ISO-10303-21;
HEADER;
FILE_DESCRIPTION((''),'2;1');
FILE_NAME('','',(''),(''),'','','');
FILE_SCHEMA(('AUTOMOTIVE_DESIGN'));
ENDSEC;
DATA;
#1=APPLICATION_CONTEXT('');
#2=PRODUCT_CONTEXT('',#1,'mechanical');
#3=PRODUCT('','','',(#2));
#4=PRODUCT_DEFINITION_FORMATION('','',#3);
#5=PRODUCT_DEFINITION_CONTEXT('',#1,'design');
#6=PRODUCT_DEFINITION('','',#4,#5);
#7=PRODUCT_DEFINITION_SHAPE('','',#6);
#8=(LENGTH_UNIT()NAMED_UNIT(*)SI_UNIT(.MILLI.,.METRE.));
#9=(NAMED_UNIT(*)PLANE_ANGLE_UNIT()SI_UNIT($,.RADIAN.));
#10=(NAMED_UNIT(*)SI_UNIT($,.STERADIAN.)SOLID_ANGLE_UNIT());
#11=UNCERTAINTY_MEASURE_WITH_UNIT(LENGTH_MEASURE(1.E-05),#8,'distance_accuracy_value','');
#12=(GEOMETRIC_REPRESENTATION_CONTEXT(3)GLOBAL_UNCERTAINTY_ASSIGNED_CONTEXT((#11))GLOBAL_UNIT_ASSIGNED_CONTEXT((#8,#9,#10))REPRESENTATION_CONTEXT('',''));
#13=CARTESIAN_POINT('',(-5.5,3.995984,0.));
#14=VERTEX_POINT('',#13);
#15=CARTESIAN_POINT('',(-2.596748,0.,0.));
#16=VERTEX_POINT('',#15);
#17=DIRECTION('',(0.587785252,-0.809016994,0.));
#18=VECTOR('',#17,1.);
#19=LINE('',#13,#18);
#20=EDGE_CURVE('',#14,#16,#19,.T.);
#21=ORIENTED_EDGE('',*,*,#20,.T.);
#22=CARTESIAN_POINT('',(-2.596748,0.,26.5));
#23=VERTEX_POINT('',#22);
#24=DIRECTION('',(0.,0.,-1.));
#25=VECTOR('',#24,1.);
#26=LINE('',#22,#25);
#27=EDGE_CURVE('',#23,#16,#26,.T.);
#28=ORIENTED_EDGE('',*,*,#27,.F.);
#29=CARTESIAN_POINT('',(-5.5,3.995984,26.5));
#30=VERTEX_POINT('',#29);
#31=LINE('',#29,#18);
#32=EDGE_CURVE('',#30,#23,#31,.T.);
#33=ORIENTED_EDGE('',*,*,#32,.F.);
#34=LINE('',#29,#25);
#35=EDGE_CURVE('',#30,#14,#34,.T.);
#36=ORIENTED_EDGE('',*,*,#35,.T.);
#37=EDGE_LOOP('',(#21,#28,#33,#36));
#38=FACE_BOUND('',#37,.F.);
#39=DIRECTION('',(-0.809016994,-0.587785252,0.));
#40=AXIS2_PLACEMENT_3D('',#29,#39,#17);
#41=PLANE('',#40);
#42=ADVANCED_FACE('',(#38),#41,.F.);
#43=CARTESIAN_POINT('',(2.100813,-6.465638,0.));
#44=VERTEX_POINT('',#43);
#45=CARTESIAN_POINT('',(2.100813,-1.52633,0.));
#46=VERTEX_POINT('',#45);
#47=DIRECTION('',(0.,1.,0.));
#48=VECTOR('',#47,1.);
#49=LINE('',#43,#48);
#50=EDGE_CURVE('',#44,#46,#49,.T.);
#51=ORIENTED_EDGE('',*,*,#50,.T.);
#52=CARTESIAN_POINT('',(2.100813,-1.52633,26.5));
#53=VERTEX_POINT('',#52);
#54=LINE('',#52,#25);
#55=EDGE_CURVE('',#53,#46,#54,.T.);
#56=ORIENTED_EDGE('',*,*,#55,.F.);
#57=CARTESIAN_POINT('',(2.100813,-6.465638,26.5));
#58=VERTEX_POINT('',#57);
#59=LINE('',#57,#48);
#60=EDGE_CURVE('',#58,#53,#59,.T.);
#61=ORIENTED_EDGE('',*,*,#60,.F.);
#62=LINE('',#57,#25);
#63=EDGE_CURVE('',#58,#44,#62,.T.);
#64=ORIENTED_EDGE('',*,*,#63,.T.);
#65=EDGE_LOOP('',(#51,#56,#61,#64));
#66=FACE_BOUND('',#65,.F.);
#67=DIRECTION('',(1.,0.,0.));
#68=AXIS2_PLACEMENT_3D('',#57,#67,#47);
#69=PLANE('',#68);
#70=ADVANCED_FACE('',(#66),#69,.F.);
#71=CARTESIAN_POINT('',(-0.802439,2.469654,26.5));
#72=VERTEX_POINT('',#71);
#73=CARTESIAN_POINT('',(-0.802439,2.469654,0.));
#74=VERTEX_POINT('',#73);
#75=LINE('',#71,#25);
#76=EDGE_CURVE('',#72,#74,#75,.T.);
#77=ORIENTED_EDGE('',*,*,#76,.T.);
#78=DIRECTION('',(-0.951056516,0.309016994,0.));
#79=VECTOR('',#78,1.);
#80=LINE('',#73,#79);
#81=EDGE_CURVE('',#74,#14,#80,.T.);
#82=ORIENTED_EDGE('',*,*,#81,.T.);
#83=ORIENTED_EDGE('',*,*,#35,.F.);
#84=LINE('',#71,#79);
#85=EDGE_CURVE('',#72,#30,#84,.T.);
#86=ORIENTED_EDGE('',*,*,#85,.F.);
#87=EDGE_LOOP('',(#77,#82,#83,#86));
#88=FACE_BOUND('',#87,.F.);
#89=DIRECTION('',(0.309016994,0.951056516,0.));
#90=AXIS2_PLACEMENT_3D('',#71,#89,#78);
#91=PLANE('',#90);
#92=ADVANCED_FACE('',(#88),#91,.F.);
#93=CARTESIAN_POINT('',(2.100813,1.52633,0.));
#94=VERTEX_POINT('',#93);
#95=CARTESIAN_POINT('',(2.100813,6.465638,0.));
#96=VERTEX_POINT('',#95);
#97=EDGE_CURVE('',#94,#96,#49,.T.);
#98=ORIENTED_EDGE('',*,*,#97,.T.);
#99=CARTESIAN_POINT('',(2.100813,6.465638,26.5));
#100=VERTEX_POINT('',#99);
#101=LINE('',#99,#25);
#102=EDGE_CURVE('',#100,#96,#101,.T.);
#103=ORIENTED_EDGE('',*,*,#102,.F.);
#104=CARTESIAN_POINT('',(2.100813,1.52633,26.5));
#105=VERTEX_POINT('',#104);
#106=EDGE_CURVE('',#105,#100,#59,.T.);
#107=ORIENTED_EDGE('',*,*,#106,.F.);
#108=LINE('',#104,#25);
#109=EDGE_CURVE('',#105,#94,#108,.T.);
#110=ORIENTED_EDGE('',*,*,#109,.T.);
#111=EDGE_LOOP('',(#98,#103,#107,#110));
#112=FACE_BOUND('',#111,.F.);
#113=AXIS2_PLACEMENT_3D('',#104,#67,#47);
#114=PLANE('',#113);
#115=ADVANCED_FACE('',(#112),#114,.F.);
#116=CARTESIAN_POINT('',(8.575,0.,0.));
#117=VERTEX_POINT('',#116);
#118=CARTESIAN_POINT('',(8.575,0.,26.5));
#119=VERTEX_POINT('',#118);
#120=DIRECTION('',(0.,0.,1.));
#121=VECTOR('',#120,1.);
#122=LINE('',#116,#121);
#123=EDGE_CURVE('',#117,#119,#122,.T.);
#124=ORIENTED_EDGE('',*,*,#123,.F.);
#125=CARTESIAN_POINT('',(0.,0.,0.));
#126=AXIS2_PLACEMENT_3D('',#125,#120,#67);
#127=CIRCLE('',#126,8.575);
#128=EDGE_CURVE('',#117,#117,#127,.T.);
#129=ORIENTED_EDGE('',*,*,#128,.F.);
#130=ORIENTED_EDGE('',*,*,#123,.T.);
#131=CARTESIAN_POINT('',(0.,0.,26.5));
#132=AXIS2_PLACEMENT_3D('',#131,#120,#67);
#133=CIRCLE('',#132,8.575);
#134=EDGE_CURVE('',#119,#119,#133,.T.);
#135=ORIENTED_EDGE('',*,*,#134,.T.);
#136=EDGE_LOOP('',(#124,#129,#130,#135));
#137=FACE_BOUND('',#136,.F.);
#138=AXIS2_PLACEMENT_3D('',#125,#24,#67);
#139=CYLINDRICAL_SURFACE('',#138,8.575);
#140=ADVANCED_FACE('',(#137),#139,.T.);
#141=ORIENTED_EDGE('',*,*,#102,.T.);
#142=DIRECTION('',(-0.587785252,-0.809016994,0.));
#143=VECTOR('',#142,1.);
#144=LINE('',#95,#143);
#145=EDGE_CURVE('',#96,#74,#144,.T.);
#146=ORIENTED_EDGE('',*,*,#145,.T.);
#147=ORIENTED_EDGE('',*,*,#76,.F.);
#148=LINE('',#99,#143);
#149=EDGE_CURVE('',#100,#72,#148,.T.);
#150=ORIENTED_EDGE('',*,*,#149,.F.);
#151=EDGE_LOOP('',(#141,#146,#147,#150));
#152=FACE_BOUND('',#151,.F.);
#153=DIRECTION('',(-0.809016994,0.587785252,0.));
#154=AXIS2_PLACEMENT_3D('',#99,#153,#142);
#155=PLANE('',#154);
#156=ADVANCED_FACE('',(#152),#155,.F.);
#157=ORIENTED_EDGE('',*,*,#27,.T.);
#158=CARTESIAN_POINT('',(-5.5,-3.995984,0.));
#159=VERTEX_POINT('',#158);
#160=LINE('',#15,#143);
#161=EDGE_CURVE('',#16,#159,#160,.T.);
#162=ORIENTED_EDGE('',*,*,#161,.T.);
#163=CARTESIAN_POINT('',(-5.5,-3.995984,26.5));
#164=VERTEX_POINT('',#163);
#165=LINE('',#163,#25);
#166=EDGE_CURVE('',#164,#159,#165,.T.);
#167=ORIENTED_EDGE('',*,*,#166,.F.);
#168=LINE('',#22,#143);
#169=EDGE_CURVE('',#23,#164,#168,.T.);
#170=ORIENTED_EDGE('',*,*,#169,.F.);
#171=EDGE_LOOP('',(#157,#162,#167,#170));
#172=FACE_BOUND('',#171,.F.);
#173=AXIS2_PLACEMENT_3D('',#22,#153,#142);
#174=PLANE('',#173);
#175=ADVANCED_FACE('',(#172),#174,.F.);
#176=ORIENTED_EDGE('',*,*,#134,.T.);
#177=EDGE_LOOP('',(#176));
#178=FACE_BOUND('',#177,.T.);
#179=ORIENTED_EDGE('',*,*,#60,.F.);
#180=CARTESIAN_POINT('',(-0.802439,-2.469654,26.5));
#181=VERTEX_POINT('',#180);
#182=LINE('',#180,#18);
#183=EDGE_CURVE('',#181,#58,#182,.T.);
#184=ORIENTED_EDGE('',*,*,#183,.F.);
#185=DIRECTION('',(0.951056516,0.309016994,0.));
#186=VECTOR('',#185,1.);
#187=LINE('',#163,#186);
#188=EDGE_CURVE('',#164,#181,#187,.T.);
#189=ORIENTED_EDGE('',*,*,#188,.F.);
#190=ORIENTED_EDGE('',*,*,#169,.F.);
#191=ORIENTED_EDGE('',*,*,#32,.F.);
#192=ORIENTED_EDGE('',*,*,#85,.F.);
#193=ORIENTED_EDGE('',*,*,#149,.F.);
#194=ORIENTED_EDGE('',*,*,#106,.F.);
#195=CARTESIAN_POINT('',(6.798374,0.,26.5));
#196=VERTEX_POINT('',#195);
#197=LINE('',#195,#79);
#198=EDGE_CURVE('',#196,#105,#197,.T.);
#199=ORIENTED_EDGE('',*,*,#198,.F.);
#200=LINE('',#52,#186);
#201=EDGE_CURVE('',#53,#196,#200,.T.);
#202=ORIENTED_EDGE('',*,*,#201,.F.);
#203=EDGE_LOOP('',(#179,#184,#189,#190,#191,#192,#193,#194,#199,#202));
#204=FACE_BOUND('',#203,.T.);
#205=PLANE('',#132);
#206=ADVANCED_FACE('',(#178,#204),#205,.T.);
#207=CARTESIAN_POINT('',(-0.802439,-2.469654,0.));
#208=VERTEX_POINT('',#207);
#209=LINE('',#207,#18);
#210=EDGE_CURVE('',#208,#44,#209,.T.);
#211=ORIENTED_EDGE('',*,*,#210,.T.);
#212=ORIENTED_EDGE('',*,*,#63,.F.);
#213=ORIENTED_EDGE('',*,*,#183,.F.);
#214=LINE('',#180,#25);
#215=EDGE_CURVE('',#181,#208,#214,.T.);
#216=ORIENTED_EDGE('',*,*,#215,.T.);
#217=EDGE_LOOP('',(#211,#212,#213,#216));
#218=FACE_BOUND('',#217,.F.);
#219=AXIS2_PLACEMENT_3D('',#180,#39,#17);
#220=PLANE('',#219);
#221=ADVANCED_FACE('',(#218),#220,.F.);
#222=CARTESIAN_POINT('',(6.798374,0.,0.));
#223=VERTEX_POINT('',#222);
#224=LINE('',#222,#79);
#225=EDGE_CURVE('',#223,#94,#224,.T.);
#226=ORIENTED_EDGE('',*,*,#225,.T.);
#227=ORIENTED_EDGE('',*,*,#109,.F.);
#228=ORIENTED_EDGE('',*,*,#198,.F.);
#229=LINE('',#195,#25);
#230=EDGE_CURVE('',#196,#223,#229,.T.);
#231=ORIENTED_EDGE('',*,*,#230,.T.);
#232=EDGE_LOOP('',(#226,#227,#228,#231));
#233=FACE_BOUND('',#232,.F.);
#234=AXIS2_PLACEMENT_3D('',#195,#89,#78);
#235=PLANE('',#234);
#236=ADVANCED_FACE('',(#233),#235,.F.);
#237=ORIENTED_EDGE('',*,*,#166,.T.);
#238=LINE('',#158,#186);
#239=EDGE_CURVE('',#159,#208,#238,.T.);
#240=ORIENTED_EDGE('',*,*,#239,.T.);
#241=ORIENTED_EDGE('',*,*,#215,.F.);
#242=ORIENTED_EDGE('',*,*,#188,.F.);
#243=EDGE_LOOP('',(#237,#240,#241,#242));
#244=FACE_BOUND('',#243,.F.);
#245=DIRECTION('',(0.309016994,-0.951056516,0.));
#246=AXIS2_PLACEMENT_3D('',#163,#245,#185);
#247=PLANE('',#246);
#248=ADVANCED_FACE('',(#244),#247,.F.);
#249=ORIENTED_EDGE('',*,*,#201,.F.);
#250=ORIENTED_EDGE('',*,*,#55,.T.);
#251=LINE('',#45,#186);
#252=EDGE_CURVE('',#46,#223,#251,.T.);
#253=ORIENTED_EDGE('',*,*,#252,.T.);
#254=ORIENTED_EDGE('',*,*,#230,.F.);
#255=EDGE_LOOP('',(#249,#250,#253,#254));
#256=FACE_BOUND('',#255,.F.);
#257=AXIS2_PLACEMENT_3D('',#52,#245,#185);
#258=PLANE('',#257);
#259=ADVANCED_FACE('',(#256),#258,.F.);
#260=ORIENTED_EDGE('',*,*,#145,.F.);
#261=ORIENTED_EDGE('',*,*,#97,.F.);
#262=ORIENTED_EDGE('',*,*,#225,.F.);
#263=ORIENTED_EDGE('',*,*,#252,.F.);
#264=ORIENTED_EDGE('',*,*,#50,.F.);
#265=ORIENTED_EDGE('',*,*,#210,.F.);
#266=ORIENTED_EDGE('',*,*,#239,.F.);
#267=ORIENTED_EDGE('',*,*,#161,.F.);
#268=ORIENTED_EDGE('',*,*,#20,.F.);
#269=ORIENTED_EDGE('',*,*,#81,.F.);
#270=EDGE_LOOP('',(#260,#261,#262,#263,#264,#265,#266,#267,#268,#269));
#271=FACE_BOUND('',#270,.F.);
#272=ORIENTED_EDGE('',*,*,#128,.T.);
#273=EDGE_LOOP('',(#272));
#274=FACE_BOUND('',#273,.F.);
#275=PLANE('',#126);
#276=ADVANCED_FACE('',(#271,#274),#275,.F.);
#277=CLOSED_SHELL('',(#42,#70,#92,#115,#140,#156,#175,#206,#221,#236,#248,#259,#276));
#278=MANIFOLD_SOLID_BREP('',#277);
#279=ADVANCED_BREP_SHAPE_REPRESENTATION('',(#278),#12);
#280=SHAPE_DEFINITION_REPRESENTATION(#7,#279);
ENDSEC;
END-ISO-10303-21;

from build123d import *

# Parameters (mm, degrees)
F0_R     = 8.575
F1_DEPTH = 26.5
F3_DEPTH = 26.5


with BuildPart() as f1:
    # F0 (on Top) → F1 (new body)
    with BuildSketch(Plane.XY):
        Circle(F0_R)
    extrude(amount=F1_DEPTH)

    # F2 (on face) → F3 (cut)
    with BuildSketch(Plane.XY.offset(26.5)):
        Polygon((-0.8024391856, 2.4696538712), (-5.5, 3.995983904), (-2.5967477525, 0), align=None)
        Polygon((2.1008130619, 6.4656377752), (-0.8024391856, 2.4696538712), (2.1008130619, 1.5263300328), align=None)
        Polygon((-0.8024391856, 2.4696538712), (-2.5967477525, 0), (-0.8024391856, -2.4696538712), (2.1008130619, -1.5263300328), (2.1008130619, 1.5263300328), align=None)
        Polygon((-0.8024391856, -2.4696538712), (-2.5967477525, 0), (-5.5, -3.995983904), align=None)
        Polygon((2.1008130619, -1.5263300328), (-0.8024391856, -2.4696538712), (2.1008130619, -6.4656377752), align=None)
        Polygon((6.7983738762, 0), (2.1008130619, 1.5263300328), (2.1008130619, -1.5263300328), align=None)
    extrude(amount=-F3_DEPTH, mode=Mode.SUBTRACT)


solid = f1.part
